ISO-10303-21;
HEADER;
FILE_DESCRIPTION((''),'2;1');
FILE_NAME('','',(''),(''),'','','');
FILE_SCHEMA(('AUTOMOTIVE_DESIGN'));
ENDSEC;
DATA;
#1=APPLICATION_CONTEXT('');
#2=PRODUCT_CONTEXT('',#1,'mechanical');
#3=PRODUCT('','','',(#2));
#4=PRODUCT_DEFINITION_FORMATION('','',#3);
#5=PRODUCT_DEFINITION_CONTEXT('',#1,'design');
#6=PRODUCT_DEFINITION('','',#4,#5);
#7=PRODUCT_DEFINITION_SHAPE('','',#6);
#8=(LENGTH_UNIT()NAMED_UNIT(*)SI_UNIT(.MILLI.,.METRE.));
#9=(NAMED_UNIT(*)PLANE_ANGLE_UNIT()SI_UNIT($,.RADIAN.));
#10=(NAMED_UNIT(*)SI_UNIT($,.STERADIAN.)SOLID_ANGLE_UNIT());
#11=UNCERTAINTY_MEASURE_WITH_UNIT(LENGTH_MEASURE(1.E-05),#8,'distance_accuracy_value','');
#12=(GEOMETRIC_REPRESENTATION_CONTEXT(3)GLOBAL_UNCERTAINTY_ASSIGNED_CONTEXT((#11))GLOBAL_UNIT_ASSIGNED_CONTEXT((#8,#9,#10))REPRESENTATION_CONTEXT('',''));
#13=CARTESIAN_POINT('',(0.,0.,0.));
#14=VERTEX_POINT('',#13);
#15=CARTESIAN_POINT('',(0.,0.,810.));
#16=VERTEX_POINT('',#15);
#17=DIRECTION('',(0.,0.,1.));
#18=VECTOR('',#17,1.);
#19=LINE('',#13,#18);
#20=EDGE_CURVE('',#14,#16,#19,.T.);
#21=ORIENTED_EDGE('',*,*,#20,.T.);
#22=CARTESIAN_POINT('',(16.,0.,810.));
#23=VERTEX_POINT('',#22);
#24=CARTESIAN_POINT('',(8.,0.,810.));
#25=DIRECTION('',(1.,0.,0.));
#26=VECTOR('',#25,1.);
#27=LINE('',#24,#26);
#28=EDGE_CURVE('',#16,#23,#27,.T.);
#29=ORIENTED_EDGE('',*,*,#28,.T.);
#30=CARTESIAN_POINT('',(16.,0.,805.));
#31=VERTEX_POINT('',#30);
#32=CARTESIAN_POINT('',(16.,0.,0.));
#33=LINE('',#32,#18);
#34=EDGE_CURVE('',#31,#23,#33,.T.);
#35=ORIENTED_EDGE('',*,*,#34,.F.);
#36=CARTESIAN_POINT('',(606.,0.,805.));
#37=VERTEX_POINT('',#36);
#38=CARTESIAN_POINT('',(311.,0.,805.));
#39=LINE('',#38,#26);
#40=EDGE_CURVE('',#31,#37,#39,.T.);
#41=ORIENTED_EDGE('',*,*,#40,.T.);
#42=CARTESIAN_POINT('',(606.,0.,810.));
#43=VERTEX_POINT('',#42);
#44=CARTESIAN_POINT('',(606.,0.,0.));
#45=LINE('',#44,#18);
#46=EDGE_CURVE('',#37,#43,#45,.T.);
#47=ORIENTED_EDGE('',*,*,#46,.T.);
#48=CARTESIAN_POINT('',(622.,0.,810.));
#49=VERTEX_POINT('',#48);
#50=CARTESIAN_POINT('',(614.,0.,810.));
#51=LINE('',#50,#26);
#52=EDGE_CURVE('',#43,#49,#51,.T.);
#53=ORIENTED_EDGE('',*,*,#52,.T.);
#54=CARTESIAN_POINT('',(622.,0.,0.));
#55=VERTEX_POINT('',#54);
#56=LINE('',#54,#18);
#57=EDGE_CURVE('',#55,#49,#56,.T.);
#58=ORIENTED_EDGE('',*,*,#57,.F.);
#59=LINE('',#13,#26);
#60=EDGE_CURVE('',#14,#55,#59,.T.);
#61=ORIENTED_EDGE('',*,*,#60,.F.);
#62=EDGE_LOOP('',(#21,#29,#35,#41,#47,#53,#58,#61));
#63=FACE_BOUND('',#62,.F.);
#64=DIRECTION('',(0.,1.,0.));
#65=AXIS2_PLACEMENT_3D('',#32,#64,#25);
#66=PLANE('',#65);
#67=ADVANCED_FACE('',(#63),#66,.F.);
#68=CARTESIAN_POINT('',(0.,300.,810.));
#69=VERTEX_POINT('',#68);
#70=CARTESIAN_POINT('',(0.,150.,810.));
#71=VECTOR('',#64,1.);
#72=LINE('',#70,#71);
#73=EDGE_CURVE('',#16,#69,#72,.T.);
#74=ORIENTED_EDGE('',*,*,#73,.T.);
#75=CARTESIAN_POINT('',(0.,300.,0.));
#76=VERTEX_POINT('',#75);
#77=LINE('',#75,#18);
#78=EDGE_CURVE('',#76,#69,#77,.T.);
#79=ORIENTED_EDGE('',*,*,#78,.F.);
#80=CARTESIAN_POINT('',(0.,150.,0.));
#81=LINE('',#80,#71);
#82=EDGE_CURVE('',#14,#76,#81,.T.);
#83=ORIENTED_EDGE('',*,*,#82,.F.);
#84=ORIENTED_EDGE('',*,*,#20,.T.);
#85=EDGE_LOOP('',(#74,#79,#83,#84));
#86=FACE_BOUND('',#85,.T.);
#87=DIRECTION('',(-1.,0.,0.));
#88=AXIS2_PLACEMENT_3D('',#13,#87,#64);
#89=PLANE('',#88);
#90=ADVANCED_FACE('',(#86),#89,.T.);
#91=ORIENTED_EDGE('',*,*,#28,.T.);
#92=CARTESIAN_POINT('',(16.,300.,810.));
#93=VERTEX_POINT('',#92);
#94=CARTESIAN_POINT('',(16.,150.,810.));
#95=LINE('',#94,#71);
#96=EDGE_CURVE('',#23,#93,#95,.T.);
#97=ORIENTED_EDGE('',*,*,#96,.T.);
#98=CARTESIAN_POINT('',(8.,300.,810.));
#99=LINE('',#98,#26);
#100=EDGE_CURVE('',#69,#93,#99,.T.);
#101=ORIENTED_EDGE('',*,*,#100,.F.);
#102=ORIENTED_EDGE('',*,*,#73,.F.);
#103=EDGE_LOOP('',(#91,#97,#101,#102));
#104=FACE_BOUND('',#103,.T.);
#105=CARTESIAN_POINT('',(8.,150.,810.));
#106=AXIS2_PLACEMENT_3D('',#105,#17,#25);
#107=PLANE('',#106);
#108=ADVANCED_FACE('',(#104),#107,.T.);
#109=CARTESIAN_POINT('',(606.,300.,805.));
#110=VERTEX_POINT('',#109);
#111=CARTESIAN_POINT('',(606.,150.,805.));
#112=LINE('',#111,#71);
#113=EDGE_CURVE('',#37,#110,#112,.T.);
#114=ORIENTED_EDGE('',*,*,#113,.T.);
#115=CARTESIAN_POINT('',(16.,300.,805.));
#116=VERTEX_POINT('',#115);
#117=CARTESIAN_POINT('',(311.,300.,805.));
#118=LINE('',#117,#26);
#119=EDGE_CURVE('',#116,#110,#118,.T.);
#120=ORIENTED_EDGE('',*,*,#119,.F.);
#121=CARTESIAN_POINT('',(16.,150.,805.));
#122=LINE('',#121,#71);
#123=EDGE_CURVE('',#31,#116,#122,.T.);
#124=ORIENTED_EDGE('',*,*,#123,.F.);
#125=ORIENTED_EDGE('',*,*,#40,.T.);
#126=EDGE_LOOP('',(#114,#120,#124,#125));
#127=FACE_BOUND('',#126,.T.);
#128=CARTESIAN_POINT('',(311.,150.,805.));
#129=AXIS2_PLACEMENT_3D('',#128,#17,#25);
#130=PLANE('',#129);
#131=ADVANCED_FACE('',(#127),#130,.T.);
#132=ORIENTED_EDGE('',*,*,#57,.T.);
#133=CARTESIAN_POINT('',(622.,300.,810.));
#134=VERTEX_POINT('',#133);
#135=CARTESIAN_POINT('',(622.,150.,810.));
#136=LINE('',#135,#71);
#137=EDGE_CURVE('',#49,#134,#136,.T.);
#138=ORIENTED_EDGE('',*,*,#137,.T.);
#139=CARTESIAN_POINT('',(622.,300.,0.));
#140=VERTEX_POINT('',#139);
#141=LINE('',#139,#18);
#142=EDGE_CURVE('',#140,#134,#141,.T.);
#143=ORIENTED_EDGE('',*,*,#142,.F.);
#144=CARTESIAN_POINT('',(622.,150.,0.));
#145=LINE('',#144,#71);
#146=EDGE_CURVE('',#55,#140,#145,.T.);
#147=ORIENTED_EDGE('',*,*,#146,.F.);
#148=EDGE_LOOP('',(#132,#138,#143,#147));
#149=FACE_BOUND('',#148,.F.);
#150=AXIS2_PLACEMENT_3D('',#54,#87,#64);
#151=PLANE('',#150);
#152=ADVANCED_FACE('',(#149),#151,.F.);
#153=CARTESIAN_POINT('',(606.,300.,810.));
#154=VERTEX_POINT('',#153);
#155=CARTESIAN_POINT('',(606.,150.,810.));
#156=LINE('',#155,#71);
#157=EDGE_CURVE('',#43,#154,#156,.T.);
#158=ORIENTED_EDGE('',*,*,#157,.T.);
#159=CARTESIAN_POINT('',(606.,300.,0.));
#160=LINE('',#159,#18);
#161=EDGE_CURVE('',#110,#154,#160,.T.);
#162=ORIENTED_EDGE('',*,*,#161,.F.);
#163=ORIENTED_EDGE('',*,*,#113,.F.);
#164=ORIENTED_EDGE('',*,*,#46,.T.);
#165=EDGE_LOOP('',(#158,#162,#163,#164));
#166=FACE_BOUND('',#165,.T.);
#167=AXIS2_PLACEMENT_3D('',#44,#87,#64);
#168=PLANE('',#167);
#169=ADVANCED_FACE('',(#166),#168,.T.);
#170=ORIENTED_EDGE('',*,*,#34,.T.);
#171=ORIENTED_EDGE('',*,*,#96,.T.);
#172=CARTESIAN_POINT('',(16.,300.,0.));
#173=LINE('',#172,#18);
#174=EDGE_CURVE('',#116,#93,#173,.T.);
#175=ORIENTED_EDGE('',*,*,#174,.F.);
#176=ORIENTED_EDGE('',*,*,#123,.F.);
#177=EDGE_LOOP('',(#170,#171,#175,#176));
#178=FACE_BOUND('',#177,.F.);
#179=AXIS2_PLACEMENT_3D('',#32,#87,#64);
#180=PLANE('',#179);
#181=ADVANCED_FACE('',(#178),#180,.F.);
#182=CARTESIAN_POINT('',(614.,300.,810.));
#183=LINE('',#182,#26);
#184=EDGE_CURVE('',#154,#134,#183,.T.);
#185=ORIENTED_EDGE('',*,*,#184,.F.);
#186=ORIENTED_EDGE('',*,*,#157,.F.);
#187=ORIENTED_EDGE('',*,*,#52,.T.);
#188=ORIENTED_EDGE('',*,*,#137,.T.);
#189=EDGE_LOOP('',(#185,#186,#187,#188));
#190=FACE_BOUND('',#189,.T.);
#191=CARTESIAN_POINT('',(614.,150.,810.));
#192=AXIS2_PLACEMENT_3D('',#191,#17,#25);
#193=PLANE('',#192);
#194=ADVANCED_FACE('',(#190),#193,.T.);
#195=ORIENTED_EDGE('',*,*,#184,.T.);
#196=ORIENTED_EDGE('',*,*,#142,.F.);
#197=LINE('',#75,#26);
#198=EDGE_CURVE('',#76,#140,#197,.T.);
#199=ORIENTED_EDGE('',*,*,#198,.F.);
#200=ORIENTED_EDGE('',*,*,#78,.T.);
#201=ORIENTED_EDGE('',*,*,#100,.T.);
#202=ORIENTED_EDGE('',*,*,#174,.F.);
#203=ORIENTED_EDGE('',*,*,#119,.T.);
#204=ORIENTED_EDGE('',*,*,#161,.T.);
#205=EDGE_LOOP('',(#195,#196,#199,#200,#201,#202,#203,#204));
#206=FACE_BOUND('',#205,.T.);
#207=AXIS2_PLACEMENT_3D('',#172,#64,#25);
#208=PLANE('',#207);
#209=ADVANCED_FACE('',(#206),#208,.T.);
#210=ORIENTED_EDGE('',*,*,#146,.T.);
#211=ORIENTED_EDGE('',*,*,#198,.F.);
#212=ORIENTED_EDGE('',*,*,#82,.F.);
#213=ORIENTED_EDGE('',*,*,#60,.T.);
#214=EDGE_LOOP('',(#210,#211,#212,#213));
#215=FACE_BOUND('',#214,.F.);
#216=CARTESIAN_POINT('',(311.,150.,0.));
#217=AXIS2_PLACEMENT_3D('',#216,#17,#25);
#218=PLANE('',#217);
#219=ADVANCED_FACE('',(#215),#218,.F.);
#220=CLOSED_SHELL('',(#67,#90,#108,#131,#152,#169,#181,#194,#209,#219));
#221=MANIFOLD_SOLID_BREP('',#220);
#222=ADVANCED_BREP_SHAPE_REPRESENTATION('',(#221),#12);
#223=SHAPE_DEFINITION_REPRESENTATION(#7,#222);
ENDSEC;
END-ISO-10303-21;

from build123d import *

# Parameters (mm, degrees)
CUBE001_W     = 16
CUBE001_H     = 300
CUBE001_DEPTH = 810
CUBE002_W     = 590
CUBE002_H     = 300
CUBE002_DEPTH = 16
CUBE003_W     = 590
CUBE003_H     = 300
CUBE003_DEPTH = 789
CUBE_W        = 16
CUBE_H        = 300
CUBE_DEPTH    = 810


with BuildPart() as cube001:
    # cube001 → cube001 (new body)
    with BuildSketch(Plane(origin=(606, 0, 0), x_dir=(1, 0, 0), z_dir=(0, 0, 1))):
        with Locations((8, 150)):
            Rectangle(CUBE001_W, CUBE001_H)
    extrude(amount=CUBE001_DEPTH)


with BuildPart() as cube002:
    # cube002 → cube002 (new body)
    with BuildSketch(Plane(origin=(16, 0, 789), x_dir=(1, 0, 0), z_dir=(0, 0, 1))):
        with Locations((295, 150)):
            Rectangle(CUBE002_W, CUBE002_H)
    extrude(amount=CUBE002_DEPTH)


with BuildPart() as cube003:
    # cube003 → cube003 (new body)
    with BuildSketch(Plane(origin=(16, 0, 0), x_dir=(1, 0, 0), z_dir=(0, 0, 1))):
        with Locations((295, 150)):
            Rectangle(CUBE003_W, CUBE003_H)
    extrude(amount=CUBE003_DEPTH)


with BuildPart() as base_drawers:
    # cube → cube (new body)
    with BuildSketch(Plane.XY):
        with Locations((8, 150)):
            Rectangle(CUBE_W, CUBE_H)
    extrude(amount=CUBE_DEPTH)

    # Group: union cube001, cube002, cube003
    add(cube001.part)
    add(cube002.part)
    add(cube003.part)


solid = base_drawers.part
